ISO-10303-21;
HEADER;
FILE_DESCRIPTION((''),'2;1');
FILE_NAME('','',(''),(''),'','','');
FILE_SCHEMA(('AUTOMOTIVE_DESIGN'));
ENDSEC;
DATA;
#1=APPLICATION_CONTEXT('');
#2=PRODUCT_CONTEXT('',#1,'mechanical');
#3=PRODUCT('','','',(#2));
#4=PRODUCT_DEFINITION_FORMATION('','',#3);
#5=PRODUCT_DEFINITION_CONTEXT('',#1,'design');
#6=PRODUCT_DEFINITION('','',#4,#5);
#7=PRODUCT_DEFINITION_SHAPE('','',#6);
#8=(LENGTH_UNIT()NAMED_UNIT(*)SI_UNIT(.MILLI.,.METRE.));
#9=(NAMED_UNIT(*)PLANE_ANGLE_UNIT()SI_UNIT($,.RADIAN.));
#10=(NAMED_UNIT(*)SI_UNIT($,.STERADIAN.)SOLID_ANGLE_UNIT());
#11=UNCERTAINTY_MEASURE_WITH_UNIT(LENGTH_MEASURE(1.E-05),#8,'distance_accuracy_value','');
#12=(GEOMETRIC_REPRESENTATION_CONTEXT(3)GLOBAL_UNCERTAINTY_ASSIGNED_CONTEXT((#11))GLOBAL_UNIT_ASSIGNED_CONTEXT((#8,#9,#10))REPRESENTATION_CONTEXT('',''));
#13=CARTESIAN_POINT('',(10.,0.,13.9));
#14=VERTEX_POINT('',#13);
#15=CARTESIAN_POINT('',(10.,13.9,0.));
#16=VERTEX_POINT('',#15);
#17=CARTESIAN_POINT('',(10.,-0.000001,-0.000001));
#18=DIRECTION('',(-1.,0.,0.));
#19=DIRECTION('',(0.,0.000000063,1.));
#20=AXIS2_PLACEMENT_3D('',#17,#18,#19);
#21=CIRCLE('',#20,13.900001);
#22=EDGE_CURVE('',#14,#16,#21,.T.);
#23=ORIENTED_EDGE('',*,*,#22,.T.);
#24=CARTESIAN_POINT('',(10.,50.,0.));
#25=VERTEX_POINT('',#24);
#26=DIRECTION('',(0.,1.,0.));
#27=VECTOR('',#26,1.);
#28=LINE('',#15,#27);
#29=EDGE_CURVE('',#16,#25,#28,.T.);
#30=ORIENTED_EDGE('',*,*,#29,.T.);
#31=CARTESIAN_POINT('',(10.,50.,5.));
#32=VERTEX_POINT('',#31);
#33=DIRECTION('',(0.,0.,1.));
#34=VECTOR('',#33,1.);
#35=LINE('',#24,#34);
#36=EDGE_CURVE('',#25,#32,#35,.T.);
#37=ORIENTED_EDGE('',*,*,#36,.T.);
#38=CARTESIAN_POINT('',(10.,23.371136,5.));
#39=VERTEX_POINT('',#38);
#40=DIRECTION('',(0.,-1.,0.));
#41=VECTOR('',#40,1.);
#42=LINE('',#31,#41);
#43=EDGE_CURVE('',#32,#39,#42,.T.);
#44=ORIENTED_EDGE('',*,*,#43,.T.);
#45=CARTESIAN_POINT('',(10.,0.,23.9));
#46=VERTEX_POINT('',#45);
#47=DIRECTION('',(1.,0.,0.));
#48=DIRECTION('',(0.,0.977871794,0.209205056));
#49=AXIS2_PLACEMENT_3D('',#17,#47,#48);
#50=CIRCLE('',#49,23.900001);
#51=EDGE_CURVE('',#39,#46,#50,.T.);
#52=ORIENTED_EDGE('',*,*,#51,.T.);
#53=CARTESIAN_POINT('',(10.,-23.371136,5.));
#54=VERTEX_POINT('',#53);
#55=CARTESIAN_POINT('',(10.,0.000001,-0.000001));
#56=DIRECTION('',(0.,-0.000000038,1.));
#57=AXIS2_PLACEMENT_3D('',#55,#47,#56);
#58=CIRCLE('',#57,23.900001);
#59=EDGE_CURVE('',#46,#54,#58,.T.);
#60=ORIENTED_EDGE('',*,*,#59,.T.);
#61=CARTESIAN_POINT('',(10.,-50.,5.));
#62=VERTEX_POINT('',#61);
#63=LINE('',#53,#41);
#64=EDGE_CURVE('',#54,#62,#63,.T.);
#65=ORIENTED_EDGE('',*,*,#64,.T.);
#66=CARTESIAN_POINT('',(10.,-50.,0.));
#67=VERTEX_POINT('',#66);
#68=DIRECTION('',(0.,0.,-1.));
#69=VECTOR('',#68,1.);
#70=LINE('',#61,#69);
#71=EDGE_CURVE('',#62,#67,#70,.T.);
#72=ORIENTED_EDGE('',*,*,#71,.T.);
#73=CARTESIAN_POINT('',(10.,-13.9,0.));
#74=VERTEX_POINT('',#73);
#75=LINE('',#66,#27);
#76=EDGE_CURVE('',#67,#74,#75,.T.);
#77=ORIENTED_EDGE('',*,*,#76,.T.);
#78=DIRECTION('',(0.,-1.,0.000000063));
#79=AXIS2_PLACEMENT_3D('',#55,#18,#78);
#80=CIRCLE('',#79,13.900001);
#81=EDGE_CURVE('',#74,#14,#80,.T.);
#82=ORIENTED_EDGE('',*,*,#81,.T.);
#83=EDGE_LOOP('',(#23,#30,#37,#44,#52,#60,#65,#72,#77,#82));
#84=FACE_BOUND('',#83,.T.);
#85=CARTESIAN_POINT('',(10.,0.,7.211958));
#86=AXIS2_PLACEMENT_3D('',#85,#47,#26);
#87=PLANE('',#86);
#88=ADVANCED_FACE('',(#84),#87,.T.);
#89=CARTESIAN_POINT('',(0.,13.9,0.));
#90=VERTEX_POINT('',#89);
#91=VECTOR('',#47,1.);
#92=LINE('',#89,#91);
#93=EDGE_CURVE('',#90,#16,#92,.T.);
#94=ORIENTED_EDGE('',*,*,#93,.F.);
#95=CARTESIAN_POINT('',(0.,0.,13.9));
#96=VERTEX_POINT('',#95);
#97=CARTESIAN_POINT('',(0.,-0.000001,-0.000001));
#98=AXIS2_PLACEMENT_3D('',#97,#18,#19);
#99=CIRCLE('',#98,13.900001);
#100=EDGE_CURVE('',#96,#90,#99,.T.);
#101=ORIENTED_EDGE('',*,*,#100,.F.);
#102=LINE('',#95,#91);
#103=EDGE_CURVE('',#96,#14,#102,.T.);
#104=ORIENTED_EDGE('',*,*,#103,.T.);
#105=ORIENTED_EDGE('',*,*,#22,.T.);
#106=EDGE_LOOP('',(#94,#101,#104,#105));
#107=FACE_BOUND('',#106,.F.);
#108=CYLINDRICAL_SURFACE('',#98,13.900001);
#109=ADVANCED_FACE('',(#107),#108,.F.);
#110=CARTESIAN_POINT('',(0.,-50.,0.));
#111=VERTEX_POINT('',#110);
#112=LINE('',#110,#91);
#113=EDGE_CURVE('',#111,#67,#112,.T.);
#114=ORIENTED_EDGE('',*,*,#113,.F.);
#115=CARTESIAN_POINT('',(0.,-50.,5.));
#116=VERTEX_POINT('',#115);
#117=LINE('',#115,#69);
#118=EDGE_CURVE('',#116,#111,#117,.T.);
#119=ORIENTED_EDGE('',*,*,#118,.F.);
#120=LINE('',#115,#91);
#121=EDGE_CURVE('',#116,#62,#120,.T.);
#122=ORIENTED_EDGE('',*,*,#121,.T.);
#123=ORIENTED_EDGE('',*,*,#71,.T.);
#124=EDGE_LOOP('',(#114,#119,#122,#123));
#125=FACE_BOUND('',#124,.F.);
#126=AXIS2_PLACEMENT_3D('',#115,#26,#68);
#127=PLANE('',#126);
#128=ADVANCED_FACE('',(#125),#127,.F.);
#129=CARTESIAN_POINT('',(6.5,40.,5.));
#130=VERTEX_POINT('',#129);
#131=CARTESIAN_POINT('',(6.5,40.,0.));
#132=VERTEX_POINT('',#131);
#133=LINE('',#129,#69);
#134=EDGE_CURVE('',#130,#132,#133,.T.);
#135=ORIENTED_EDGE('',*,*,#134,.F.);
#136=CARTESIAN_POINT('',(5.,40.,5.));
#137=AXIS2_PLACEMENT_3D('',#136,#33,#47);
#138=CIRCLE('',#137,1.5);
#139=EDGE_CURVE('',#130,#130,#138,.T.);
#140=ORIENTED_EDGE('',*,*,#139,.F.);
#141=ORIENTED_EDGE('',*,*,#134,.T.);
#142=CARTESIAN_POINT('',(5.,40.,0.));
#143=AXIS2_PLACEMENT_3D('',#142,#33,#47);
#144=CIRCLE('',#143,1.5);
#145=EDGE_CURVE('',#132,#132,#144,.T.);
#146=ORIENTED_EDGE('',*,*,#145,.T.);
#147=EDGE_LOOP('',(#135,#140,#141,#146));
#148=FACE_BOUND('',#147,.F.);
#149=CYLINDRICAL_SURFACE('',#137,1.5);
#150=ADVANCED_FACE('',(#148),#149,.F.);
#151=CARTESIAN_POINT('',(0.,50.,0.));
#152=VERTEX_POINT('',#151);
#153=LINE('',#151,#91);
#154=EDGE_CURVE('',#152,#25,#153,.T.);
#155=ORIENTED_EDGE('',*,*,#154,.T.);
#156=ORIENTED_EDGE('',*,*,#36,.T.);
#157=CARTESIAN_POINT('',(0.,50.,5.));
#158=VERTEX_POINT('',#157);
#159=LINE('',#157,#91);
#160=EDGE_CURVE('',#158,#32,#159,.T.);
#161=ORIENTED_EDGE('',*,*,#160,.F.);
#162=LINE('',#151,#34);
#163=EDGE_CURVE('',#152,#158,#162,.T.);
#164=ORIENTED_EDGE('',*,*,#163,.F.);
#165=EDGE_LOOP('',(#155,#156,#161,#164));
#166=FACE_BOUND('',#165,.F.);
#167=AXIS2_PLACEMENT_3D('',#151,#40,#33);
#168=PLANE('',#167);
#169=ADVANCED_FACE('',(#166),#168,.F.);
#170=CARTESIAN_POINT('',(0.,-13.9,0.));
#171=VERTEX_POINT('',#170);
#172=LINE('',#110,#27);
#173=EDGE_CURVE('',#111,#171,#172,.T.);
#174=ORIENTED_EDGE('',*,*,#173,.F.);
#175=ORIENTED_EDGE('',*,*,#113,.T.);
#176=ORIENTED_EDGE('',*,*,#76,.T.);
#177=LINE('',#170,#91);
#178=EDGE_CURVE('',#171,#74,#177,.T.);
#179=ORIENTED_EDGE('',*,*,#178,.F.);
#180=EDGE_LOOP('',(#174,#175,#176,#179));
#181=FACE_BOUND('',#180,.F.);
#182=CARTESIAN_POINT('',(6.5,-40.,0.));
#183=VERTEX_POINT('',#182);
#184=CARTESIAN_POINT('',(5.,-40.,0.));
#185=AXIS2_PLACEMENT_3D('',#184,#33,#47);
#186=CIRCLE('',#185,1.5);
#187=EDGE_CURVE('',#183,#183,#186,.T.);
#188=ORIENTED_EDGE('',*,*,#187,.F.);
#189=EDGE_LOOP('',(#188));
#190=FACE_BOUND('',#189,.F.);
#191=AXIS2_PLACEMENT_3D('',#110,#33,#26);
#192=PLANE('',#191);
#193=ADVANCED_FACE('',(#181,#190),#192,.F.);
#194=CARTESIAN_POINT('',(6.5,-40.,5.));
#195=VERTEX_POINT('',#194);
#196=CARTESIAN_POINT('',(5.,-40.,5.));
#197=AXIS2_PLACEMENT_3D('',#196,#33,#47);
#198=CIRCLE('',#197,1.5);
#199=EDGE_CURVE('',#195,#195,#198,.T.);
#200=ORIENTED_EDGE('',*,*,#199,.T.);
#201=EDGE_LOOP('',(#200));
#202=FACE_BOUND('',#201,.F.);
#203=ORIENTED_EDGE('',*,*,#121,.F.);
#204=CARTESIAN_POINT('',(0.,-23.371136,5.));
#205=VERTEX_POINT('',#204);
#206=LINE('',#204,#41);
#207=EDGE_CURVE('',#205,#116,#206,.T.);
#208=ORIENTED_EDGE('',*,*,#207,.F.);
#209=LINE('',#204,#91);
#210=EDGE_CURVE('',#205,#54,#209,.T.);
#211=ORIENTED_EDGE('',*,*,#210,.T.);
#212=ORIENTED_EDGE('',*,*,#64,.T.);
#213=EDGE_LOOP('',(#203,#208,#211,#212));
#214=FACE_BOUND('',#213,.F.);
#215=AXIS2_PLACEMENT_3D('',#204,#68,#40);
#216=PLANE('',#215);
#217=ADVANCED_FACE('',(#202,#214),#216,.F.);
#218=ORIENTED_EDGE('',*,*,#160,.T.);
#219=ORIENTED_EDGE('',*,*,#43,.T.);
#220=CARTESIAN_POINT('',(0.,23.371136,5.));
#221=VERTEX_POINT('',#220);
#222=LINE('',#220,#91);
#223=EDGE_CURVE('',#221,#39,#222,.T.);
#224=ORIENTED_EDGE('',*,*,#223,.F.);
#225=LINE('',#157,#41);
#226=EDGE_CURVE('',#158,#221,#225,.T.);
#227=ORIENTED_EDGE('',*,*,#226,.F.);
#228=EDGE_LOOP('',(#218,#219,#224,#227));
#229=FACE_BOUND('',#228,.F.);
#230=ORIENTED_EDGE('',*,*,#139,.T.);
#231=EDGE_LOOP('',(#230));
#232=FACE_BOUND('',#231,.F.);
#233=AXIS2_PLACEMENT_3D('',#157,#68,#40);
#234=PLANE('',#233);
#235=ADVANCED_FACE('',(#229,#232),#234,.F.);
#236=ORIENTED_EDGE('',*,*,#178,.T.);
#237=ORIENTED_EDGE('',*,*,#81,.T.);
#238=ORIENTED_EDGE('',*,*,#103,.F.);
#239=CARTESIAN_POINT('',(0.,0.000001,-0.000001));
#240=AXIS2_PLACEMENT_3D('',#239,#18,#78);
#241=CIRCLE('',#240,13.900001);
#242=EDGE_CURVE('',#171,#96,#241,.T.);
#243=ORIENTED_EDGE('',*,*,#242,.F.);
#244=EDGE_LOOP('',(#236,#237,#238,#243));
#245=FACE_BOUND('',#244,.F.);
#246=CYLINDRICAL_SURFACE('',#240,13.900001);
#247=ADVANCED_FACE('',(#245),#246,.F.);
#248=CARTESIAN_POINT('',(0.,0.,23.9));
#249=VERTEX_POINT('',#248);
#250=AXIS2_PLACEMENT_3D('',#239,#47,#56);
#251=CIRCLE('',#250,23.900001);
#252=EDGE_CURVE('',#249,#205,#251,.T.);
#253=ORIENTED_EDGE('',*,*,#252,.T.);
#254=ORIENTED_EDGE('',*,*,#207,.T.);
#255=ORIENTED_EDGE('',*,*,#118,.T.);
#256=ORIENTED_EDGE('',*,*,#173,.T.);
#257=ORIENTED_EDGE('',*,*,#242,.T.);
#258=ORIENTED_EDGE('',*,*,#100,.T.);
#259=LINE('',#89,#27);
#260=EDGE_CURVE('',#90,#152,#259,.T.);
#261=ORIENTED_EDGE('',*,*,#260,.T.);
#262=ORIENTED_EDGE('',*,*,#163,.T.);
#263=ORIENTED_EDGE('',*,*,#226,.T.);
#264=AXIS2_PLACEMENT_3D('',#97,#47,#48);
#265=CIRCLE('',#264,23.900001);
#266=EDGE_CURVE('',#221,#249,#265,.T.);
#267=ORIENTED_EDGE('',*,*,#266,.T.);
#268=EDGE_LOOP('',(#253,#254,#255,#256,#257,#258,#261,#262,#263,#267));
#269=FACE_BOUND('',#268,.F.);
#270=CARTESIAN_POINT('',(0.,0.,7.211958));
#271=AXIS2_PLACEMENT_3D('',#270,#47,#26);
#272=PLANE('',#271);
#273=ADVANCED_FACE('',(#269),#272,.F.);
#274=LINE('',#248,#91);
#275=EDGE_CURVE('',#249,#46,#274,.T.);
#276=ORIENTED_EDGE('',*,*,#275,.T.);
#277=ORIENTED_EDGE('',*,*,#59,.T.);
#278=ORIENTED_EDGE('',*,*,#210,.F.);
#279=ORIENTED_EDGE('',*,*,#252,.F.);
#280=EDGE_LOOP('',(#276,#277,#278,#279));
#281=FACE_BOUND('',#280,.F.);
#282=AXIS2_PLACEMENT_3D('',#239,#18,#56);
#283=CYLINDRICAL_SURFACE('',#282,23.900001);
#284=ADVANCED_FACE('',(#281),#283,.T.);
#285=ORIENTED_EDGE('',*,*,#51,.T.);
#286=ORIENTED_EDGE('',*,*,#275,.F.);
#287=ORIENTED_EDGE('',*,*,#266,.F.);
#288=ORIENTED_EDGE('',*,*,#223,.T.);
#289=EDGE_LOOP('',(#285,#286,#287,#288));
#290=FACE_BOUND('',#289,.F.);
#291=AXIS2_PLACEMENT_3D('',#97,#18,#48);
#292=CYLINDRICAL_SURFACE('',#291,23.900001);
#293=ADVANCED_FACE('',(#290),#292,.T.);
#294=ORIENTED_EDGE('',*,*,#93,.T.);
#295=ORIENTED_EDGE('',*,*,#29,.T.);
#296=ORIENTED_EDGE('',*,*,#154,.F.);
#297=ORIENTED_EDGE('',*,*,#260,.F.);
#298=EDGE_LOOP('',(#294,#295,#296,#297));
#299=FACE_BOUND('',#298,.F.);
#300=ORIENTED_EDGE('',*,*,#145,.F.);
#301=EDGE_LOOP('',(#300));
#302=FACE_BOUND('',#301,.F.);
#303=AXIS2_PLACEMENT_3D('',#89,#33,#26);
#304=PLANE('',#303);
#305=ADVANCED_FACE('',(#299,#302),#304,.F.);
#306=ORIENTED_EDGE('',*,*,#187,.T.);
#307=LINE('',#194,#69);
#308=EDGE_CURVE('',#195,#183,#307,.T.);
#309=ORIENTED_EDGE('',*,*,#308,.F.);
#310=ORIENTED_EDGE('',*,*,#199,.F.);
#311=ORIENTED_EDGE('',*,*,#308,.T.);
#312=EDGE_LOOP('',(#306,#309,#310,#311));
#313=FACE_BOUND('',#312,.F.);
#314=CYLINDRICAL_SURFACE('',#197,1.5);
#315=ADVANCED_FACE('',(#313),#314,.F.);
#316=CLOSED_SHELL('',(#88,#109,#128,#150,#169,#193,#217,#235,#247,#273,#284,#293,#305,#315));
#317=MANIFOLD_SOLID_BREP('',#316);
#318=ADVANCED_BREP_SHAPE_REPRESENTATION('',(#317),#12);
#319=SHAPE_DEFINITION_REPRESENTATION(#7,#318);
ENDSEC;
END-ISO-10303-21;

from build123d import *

# Parameters (mm, degrees)
F1_DEPTH = 10
F2_R     = 1.5
F3_DEPTH = 25


with BuildPart() as f1:
    # F0 (on Right) → F1 (new body)
    with BuildSketch(Plane.YZ):
        with BuildLine():
            ThreePointArc((-13.9, 0), (-9.828784, 9.828784), (0, 13.9))
            ThreePointArc((0, 13.9), (9.828784, 9.828784), (13.9, 0))
            Line((13.9, 0), (50, 0))
            Line((50, 0), (50, 5))
            Line((50, 5), (23.371136, 5))
            ThreePointArc((23.371136, 5), (15.028473, 18.583729), (0, 23.9))
            ThreePointArc((0, 23.9), (-15.028473, 18.583729), (-23.371136, 5))
            Line((-23.371136, 5), (-50, 5))
            Line((-50, 5), (-50, 0))
            Line((-50, 0), (-13.9, 0))
        make_face()
    extrude(amount=F1_DEPTH)

    # F2 (on face) → F3 (cut)
    with BuildSketch(Plane.XY.offset(5)):
        with Locations((5, 40)):
            Circle(F2_R)
        with Locations((5, -40)):
            Circle(F2_R)
    extrude(amount=-F3_DEPTH, mode=Mode.SUBTRACT)


solid = f1.part
